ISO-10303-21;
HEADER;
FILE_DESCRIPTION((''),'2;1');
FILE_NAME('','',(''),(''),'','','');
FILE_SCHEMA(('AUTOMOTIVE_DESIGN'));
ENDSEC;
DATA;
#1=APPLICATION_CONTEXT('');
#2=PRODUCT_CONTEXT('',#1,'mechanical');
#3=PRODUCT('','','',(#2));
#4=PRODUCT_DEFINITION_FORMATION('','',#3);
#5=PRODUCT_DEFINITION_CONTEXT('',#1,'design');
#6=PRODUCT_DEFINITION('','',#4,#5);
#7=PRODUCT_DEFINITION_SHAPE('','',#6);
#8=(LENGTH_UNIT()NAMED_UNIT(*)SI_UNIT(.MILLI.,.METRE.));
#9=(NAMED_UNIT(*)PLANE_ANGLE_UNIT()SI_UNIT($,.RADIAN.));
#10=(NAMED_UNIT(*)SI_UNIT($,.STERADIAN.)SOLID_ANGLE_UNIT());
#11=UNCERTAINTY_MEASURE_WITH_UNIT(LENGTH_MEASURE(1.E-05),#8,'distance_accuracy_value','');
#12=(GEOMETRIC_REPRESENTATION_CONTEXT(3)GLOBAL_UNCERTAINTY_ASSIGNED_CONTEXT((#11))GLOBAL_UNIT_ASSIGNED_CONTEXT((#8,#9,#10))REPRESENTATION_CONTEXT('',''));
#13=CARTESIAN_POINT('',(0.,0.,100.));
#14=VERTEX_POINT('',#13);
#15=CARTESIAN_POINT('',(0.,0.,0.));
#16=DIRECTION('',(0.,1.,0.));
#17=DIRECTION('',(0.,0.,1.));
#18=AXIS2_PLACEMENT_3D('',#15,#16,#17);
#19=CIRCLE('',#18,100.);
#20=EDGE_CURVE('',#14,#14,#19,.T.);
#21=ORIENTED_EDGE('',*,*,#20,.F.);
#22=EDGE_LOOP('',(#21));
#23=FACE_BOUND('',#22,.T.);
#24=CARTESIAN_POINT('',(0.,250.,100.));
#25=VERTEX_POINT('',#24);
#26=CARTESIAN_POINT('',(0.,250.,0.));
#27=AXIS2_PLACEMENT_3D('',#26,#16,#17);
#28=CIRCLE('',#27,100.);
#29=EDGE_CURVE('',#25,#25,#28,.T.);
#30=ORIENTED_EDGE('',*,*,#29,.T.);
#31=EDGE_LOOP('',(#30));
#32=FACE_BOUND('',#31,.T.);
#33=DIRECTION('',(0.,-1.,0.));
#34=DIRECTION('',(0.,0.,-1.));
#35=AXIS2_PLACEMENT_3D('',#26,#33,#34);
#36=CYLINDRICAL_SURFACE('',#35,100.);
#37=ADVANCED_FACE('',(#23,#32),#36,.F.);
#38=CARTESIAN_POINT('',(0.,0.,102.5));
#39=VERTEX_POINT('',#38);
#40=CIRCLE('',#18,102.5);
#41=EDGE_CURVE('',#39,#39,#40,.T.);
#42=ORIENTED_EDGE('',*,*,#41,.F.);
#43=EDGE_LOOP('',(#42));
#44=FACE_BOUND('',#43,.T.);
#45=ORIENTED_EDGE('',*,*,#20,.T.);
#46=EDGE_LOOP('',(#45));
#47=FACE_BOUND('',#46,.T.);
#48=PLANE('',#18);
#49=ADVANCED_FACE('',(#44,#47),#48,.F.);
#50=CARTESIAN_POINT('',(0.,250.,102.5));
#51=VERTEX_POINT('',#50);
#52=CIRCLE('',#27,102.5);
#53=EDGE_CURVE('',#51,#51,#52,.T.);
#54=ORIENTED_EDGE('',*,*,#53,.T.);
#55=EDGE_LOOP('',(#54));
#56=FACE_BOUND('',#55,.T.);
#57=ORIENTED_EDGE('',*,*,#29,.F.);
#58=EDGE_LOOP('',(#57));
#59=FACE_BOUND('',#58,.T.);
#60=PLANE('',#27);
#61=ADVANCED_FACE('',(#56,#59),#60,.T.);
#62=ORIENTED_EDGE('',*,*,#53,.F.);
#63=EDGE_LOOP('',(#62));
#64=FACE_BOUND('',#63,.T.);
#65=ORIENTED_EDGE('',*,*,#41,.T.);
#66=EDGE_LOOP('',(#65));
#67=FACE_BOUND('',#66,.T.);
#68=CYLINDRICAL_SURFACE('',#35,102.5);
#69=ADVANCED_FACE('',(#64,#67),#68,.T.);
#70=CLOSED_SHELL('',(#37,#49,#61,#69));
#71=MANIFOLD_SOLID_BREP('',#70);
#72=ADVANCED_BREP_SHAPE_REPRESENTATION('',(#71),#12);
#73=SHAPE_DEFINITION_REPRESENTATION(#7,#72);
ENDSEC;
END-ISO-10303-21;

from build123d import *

# Parameters (mm, degrees)
ESBO_O1_R                = 102.5
ESBO_O1_R_2              = 100
RESSALTO_EXTRUS_O1_DEPTH = 250


with BuildPart() as part:
    # Esboço1 → Ressalto-extrusão1 (new body)
    with BuildSketch(Plane(origin=(0, 0, 0), x_dir=(1, 0, 0), z_dir=(0, 1, 0))):
        Circle(ESBO_O1_R)
        Circle(ESBO_O1_R_2, mode=Mode.SUBTRACT)
    extrude(amount=RESSALTO_EXTRUS_O1_DEPTH)


solid = part.part
